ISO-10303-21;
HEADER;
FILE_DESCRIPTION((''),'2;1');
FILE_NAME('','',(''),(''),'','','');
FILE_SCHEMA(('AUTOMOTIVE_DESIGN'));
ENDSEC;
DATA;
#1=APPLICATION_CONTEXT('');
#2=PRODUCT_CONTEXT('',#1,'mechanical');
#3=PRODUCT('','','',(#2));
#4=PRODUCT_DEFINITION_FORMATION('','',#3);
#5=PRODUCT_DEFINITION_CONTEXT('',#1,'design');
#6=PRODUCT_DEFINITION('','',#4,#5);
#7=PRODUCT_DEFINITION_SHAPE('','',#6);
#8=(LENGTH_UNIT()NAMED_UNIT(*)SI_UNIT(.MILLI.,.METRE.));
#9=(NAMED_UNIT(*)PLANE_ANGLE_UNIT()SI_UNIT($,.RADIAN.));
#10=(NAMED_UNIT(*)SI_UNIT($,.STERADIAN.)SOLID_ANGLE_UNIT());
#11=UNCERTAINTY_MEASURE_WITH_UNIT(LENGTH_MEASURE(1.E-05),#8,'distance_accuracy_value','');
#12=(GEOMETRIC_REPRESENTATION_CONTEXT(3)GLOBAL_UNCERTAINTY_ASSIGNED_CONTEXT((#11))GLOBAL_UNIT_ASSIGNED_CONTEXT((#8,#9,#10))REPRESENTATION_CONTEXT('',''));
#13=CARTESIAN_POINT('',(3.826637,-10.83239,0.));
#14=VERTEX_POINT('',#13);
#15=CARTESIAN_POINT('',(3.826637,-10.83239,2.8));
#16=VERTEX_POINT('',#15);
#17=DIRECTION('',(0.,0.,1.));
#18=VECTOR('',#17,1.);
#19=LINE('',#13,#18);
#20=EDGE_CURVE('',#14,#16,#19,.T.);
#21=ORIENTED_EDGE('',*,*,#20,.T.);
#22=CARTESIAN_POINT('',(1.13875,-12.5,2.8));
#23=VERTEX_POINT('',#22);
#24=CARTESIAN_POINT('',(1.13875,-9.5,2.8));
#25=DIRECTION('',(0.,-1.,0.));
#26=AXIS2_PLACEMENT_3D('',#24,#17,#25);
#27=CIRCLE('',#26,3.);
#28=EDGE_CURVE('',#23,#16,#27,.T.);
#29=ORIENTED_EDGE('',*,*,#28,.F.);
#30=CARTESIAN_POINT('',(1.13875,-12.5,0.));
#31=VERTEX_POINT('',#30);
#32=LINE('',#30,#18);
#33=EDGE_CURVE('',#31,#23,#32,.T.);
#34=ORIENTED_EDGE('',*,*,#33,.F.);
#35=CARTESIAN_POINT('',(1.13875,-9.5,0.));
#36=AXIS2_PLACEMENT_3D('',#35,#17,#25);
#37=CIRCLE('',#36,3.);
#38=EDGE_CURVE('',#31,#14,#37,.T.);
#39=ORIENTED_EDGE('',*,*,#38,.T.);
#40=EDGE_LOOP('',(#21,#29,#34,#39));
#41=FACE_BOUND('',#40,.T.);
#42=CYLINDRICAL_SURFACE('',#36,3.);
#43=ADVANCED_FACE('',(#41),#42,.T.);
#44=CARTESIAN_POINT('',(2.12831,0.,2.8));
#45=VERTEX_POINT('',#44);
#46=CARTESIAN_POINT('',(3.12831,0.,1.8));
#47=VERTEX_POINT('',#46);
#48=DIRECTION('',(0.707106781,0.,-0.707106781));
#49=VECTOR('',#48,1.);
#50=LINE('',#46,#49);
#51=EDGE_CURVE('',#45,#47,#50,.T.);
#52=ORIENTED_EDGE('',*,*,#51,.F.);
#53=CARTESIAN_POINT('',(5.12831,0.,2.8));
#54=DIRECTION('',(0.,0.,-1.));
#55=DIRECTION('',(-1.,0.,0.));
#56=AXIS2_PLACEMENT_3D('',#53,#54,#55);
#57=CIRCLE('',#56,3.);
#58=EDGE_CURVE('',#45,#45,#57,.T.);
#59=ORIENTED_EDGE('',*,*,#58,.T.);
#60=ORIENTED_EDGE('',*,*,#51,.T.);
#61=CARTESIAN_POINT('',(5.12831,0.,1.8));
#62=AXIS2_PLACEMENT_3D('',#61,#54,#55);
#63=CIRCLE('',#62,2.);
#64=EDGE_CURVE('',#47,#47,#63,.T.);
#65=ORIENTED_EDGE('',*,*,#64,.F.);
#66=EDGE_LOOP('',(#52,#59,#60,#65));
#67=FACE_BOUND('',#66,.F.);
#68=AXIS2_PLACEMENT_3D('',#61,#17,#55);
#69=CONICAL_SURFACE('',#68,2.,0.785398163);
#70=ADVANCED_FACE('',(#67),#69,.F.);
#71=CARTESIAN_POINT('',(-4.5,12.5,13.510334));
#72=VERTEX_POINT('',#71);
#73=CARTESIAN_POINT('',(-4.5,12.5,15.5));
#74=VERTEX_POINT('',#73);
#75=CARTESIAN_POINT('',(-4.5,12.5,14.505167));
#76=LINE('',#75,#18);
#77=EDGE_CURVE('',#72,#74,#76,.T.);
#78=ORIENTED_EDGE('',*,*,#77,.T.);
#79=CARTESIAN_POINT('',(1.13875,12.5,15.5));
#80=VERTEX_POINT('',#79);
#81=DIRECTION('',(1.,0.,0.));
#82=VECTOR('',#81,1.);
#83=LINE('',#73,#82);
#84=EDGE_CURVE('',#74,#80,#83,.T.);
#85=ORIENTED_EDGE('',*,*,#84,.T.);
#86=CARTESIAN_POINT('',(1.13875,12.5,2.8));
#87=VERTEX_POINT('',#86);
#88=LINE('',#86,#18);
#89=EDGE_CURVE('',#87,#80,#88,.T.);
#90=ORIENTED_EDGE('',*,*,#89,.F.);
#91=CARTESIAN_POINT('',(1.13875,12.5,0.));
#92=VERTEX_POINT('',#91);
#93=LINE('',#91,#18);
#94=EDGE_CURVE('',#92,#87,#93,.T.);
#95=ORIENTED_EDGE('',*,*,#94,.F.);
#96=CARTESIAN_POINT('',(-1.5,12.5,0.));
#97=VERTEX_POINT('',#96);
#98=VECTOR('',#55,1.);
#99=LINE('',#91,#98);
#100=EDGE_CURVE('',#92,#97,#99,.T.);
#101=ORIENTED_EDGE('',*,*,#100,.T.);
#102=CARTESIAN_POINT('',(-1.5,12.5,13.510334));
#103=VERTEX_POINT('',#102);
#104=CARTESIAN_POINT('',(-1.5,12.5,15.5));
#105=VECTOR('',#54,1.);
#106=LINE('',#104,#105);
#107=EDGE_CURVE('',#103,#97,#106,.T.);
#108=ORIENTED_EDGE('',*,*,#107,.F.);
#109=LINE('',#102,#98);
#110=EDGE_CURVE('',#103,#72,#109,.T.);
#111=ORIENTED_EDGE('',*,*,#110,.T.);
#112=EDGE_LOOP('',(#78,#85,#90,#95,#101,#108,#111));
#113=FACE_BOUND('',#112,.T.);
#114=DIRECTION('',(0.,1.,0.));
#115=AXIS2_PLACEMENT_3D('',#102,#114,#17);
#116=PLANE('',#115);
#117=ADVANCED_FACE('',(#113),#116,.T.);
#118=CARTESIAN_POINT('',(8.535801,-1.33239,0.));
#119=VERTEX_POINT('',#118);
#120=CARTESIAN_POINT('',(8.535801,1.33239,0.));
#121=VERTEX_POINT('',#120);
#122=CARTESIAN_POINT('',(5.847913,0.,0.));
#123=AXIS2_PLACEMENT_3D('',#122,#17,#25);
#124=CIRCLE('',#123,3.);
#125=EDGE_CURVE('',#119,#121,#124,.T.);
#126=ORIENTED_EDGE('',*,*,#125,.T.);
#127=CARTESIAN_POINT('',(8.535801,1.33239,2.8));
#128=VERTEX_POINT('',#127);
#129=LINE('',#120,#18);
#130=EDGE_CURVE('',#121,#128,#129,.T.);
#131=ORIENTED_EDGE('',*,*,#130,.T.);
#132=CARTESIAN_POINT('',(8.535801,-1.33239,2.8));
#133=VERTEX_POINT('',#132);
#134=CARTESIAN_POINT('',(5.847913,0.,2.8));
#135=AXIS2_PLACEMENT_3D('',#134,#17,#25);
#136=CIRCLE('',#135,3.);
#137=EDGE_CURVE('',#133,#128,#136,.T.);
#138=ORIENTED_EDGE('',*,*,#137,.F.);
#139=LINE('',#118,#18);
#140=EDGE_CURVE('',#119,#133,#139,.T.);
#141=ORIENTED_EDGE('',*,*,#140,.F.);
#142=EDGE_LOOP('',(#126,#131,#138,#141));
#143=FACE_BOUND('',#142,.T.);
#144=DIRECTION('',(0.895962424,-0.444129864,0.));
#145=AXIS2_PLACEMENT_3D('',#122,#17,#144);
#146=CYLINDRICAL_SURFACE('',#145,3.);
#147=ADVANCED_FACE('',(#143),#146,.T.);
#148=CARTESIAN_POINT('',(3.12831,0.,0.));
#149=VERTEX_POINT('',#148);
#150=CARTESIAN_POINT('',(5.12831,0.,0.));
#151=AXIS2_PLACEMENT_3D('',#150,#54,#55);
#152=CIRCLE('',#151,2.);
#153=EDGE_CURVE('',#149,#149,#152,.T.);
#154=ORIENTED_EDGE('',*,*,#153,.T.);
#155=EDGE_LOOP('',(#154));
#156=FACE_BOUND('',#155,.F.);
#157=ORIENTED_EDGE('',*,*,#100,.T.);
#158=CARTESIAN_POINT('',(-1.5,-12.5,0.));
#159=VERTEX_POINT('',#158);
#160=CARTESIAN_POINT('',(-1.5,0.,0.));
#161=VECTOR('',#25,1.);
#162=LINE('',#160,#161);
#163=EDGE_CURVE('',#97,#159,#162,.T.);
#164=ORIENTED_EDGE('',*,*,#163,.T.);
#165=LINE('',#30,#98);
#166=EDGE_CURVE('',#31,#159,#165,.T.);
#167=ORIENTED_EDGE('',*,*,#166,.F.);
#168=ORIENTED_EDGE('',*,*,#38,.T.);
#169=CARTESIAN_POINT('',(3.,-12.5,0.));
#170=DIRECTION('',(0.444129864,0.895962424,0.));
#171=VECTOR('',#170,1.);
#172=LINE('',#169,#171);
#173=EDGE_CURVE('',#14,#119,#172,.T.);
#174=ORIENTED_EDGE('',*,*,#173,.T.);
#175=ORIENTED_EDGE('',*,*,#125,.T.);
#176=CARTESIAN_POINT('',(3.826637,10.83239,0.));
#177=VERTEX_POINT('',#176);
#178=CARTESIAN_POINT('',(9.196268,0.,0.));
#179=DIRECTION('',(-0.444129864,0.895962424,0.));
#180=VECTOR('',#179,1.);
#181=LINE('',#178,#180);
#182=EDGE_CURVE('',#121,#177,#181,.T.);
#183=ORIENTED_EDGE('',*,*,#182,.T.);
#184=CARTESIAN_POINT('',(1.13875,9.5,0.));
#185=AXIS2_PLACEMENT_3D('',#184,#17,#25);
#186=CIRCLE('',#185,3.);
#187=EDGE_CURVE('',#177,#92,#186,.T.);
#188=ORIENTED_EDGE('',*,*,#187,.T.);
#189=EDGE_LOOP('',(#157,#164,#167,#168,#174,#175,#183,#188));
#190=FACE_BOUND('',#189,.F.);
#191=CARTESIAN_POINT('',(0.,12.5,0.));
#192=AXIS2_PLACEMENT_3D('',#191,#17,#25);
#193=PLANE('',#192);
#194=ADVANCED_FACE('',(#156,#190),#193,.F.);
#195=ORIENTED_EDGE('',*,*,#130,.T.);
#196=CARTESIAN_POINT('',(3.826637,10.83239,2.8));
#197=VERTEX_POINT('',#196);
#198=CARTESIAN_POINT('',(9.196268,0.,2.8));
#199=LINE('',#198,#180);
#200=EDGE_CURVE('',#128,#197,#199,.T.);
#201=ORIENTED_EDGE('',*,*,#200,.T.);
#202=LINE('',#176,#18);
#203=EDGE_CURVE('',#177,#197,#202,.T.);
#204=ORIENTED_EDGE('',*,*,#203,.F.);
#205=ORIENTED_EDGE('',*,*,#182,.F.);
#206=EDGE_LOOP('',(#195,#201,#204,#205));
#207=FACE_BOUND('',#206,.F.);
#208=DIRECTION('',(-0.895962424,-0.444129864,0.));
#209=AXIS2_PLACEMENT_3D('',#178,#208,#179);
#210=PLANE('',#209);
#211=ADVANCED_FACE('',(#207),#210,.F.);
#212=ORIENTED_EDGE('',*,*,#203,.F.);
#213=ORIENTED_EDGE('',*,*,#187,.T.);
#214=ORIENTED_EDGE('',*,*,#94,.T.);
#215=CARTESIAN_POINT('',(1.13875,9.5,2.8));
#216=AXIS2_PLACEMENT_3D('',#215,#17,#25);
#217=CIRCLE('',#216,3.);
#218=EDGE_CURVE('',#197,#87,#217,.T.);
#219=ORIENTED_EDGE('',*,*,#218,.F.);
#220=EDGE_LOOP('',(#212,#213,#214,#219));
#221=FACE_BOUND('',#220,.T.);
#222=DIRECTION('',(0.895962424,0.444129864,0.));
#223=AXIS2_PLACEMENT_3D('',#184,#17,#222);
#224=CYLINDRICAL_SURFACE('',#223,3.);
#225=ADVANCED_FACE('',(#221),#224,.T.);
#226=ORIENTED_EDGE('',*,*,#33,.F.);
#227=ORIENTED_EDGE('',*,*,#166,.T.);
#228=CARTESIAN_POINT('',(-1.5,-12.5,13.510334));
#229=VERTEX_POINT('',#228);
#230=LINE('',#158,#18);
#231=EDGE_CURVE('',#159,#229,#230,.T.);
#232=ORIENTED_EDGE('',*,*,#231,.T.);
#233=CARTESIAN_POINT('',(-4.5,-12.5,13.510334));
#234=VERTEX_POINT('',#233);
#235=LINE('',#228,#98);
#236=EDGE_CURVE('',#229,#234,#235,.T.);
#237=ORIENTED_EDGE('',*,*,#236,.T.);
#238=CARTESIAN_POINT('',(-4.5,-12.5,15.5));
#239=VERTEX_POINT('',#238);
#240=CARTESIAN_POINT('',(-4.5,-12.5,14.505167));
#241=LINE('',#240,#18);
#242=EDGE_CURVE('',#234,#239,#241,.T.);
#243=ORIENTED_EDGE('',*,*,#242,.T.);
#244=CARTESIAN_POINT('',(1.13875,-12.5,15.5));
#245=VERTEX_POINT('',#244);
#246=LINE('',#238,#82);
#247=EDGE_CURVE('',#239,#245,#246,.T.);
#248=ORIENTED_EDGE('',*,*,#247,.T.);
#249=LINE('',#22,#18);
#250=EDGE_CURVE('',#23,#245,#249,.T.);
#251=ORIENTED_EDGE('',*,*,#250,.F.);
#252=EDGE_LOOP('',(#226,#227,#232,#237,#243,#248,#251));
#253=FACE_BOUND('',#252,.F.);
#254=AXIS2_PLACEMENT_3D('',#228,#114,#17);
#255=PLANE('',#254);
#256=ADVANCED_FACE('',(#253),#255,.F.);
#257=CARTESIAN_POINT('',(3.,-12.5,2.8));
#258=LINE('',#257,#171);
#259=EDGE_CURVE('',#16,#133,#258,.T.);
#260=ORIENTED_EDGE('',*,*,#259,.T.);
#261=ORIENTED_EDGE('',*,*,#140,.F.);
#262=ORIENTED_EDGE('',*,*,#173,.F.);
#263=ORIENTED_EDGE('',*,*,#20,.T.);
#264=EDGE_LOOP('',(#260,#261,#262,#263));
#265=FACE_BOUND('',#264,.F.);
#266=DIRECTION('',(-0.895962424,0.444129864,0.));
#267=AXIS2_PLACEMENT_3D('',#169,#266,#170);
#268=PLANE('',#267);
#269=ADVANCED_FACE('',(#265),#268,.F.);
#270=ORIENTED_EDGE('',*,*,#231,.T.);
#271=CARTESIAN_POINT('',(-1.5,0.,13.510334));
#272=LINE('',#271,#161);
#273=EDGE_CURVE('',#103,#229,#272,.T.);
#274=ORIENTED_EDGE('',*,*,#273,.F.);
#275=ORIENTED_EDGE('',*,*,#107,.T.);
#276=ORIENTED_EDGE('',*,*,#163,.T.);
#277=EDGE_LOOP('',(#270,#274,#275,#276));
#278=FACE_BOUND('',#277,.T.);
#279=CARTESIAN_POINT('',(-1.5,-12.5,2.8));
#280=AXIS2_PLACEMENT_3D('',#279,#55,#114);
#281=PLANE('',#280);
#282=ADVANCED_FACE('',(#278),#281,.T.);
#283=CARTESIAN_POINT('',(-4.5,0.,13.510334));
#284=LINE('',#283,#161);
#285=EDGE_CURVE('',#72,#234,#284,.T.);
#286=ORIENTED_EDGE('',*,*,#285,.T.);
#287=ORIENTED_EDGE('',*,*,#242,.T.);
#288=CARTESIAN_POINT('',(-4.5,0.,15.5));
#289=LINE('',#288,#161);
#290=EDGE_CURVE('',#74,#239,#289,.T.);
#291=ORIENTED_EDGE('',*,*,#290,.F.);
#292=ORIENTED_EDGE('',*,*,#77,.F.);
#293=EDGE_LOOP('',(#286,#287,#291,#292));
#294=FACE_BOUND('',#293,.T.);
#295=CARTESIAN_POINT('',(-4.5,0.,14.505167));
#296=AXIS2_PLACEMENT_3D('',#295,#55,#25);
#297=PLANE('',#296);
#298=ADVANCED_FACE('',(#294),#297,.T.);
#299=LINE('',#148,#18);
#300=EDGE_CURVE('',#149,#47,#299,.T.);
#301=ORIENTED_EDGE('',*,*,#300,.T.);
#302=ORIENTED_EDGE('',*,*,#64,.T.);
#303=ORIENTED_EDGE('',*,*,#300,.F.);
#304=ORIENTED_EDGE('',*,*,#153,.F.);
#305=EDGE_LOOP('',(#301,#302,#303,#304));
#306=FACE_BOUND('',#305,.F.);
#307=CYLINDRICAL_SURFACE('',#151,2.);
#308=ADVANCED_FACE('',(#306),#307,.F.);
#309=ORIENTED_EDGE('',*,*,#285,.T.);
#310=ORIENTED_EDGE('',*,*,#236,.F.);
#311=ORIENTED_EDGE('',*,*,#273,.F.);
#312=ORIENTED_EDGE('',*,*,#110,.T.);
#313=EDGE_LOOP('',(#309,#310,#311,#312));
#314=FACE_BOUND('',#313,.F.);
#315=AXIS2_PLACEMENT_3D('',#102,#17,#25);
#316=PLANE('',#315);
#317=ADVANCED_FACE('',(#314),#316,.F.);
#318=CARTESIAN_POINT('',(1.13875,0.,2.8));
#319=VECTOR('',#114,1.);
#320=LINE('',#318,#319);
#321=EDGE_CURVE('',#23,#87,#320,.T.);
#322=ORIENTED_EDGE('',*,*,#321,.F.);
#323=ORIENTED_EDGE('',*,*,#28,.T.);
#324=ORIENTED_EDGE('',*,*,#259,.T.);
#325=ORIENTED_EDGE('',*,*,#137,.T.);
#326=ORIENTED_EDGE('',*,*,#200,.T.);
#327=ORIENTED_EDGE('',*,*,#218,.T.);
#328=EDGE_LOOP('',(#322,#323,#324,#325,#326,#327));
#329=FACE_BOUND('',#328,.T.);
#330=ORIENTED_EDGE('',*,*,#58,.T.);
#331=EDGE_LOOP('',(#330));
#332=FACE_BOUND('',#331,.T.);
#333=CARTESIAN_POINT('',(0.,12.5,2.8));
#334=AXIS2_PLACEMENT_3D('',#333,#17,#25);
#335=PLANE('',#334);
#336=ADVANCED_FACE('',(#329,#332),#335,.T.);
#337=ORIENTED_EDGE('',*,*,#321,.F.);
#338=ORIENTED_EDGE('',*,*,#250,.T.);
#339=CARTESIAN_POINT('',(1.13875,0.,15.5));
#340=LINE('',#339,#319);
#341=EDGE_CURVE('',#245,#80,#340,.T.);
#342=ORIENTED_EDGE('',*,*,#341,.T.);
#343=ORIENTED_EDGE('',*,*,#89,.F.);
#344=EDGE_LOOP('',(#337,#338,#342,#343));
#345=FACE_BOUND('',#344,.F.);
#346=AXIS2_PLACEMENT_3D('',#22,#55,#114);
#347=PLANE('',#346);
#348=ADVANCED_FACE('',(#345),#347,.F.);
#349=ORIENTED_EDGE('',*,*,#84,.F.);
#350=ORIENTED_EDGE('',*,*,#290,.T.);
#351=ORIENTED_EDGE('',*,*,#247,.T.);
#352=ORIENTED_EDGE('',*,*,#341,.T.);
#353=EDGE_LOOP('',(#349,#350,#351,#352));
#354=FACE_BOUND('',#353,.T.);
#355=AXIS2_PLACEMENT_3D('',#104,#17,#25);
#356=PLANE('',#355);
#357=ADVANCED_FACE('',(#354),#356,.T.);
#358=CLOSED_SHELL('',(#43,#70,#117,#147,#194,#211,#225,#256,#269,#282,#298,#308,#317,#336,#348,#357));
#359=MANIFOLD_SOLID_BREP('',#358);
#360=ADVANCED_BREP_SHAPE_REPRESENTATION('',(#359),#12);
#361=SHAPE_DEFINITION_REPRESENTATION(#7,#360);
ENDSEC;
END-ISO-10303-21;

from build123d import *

# Parameters (mm, degrees)
F1_DEPTH  = 2.8
F2_R      = 3
F3_SIZE   = 1
F1_FACE_W = 25
F1_FACE_H = 2.8
F4_DEPTH  = 1.5
F5_W      = 2.63875
F5_H      = 25
F6_DEPTH  = 12.7
F7_W      = 25
F7_H      = 1.989666
F8_DEPTH  = 3


with BuildPart() as f1:
    # F0 (on Top) → F1 (new body)
    with BuildSketch(Plane.XY):
        with BuildLine():
            Line((9.196268, 0), (7.12831, 0))
            ThreePointArc((7.12831, 0), (5.12831, -2), (3.12831, 0))
            Line((3.12831, 0), (0, 0))
            Line((0, 0), (0, -12.5))
            Line((0, -12.5), (3, -12.5))
            Line((3, -12.5), (9.196268, 0))
        make_face()
        with BuildLine():
            ThreePointArc((3.12831, 0), (5.12831, 2), (7.12831, 0))
            Line((7.12831, 0), (9.196268, 0))
            Line((9.196268, 0), (3, 12.5))
            Line((3, 12.5), (0, 12.5))
            Line((0, 12.5), (0, 0))
            Line((0, 0), (3.12831, 0))
        make_face()
    extrude(amount=F1_DEPTH)

    # F2
    f2_edges = [f1.edges().sort_by_distance(p)[0] for p in [
        (9.196268, 0, 1.4),
        (3, -12.5, 1.4),
        (3, 12.5, 1.4),
    ]]
    fillet(f2_edges, radius=F2_R)

    # F3
    f3_edges = [f1.edges().sort_by_distance(p)[0] for p in [
        (3.12831, 0, 2.8),
    ]]
    chamfer(f3_edges, length=F3_SIZE)

    # F1_face (on face) → F4 (join)
    with BuildSketch(Plane(origin=(0, 0, 1.4), x_dir=(0, -1, 0), z_dir=(-1, 0, 0))):
        Rectangle(F1_FACE_W, F1_FACE_H)
    extrude(amount=F4_DEPTH)

    # F5 (on face) → F6 (join)
    with BuildSketch(Plane.XY.offset(2.8)):
        with Locations((-0.180625, 0)):
            Rectangle(F5_W, F5_H)
    extrude(amount=F6_DEPTH)

    # F7 (on face) → F8 (join)
    with BuildSketch(Plane(origin=(-1.5, 0, 0), x_dir=(0, -1, 0), z_dir=(-1, 0, 0))):
        with Locations((0, 14.505167)):
            Rectangle(F7_W, F7_H)
    extrude(amount=F8_DEPTH)


solid = f1.part
